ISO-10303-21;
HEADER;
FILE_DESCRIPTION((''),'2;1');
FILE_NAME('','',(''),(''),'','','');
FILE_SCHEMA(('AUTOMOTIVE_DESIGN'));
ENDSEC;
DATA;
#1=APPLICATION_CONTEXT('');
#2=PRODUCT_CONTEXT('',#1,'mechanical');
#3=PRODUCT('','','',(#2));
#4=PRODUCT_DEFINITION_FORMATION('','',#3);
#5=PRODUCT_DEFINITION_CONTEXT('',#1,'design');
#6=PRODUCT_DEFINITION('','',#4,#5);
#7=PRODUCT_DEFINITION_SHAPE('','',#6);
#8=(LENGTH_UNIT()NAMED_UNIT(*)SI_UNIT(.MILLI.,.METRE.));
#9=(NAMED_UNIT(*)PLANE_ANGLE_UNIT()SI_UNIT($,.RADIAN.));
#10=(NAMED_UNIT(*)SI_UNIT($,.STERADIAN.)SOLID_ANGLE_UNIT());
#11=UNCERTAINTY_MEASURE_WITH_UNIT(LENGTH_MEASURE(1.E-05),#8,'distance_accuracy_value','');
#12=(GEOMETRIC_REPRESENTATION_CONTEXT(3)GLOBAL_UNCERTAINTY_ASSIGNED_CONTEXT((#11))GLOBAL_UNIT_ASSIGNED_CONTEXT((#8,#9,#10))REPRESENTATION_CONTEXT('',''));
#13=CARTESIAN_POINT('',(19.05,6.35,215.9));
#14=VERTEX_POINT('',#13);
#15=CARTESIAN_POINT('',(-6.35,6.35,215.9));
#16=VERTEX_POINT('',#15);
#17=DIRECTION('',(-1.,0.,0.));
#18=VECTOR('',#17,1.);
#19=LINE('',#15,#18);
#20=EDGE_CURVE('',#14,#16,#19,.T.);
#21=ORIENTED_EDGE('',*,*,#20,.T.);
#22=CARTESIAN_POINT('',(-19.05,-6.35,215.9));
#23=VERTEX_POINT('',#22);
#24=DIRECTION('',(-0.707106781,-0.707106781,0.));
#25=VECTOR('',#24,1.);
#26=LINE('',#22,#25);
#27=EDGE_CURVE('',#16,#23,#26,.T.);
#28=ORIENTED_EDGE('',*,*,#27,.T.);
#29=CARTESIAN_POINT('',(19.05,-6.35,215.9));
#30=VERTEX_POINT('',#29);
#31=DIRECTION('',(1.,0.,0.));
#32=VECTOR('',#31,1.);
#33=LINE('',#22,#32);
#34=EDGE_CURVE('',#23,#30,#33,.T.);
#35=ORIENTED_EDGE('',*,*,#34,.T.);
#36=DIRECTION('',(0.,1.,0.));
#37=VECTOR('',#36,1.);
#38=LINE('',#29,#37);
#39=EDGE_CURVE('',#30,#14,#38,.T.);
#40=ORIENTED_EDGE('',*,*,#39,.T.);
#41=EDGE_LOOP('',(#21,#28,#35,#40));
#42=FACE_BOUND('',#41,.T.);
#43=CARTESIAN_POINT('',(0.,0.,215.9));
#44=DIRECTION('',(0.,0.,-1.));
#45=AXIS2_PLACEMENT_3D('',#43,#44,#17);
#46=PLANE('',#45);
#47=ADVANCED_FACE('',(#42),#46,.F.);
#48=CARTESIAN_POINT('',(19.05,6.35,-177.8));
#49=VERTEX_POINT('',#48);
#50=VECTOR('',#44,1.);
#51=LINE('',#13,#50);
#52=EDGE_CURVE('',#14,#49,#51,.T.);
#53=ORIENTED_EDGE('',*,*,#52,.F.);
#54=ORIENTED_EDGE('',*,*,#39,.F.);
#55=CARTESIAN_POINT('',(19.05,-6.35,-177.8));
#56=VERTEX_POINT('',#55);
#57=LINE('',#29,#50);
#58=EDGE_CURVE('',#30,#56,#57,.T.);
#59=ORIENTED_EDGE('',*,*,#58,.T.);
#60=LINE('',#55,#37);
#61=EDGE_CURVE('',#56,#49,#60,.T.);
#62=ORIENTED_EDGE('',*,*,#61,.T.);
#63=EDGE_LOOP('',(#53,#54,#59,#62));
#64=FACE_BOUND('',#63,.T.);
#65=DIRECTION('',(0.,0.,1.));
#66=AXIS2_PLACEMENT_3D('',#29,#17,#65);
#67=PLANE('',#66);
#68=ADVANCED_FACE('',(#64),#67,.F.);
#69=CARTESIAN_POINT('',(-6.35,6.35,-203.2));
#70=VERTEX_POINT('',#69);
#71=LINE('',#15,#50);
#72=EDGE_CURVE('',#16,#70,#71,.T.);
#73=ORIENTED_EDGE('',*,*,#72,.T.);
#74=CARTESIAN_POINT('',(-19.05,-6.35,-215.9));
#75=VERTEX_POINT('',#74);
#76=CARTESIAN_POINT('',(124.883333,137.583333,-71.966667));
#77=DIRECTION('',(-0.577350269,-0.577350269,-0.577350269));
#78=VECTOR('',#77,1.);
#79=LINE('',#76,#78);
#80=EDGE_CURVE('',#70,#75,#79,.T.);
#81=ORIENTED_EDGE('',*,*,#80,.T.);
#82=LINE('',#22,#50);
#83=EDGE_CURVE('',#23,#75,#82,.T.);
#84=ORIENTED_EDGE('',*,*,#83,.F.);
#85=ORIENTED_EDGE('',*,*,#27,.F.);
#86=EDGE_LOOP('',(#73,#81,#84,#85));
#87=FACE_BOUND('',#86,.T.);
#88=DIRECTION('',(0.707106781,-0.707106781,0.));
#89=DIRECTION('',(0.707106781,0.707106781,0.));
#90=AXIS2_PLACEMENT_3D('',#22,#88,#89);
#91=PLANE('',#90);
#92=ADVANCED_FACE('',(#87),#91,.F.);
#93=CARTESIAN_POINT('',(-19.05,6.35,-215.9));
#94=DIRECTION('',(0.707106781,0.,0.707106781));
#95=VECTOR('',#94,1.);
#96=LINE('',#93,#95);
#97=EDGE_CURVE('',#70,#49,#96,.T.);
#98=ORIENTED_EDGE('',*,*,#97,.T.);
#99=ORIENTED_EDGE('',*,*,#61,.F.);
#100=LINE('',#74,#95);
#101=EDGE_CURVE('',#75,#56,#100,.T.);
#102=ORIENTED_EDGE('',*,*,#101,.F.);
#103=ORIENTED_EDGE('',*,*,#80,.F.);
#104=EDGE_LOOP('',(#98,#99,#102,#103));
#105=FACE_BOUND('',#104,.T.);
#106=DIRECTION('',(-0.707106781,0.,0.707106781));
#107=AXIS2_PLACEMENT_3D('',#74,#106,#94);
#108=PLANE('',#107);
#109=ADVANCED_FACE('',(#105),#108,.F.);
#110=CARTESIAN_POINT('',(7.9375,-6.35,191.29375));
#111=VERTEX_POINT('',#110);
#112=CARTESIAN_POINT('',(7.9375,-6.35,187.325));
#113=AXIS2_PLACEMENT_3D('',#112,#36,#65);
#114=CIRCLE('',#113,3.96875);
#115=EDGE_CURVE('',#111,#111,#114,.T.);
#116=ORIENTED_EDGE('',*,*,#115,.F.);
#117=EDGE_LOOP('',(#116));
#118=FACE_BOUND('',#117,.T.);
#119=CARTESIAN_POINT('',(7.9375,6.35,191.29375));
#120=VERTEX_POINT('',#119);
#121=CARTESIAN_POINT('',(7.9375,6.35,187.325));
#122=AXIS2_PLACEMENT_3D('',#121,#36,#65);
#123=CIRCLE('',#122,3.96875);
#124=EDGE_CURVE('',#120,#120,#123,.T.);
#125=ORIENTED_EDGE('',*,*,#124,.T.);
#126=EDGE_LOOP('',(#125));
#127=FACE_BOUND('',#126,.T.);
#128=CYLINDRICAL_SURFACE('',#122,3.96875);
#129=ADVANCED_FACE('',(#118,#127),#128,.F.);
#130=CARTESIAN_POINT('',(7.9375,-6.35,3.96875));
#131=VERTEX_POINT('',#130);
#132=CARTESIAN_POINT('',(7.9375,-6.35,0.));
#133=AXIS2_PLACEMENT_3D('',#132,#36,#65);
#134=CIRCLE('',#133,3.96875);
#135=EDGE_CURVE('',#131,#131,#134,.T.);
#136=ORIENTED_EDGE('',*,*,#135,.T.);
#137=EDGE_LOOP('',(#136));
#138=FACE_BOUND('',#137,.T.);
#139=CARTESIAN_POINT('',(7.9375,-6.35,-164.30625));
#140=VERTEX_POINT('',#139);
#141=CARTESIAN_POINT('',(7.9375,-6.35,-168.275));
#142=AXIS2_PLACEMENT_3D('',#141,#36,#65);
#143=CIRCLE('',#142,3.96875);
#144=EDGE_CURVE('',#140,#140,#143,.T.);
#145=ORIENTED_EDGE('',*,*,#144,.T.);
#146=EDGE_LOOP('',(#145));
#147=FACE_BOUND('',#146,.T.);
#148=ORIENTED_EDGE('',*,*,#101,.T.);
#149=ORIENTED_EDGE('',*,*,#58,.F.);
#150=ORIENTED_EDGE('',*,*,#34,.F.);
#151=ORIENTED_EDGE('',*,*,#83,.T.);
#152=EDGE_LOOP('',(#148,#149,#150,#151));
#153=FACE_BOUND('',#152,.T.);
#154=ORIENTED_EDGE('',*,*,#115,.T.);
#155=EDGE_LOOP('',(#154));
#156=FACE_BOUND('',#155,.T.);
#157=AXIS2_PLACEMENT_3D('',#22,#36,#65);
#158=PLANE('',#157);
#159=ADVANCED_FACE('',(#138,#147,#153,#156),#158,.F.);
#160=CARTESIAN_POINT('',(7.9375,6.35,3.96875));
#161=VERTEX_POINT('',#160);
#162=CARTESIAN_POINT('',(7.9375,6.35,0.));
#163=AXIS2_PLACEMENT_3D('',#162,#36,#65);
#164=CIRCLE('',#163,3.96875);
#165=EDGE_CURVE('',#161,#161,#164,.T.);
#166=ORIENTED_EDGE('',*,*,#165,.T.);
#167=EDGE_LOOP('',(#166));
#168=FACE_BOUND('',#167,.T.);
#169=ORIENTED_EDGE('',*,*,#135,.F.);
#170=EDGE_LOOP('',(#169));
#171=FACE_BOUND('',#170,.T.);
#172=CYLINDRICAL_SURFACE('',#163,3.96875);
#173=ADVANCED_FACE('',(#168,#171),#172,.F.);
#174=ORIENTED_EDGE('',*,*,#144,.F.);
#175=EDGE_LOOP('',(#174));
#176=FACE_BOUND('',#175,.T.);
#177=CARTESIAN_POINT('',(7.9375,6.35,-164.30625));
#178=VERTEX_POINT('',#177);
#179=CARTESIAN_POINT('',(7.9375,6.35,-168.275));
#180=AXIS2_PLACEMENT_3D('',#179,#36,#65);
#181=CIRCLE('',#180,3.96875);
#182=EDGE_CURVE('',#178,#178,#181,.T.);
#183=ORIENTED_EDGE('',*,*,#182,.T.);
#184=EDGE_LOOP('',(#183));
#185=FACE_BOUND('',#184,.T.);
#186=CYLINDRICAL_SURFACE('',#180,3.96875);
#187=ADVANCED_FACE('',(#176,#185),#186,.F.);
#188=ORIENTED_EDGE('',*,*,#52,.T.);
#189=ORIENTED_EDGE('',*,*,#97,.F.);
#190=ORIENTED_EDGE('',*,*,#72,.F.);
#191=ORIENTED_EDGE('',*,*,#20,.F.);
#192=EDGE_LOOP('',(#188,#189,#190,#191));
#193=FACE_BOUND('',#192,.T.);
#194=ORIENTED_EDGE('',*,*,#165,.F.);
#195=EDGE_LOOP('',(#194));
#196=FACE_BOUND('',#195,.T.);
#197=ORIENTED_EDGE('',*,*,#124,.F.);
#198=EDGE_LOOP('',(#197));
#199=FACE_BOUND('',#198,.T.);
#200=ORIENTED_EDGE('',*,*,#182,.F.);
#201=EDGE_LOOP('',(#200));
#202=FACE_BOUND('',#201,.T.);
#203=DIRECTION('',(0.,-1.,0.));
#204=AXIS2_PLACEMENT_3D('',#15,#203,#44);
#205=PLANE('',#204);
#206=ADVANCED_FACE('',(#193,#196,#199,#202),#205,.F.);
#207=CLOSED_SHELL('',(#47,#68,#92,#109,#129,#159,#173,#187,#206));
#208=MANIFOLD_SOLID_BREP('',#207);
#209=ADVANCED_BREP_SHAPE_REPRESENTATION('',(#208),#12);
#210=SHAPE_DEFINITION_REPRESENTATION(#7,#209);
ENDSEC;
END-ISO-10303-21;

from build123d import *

# Parameters (mm, degrees)
BOSS_EXTRUDE1_DEPTH            = 215.9
CUT_EXTRUDE1_DEPTH             = 218.110576665
F_5_16_0_3125_DIAMETER_HOLE1_D = 7.9375


with BuildPart() as part:
    # Sketch1 → Boss-Extrude1 (new, symmetric)
    with BuildSketch(Plane.XY):
        Polygon((-19.05, -6.35), (-6.35, 6.35), (19.05, 6.35), (19.05, -6.35), align=None)
    extrude(amount=BOSS_EXTRUDE1_DEPTH, both=True)

    # Sketch2 → Cut-Extrude1 (cut, through all)
    with BuildSketch(Plane(origin=(0, 6.35, 0), x_dir=(1, 0, 0), z_dir=(0, 1, 0))):
        Polygon((19.05, 215.9), (-19.05, 215.9), (19.05, 177.8), align=None)
    extrude(amount=-CUT_EXTRUDE1_DEPTH, mode=Mode.SUBTRACT)

    # 5/16 (0.3125) Diameter Hole1 (through all)
    with Locations(Plane(origin=(0, 6.35, 0), x_dir=(1, 0, 0), z_dir=(0, 1, 0))):
        with Locations((7.9375, 168.275), (7.9375, 0), (7.9375, -187.325)):
            Hole(F_5_16_0_3125_DIAMETER_HOLE1_D / 2)


solid = part.part
